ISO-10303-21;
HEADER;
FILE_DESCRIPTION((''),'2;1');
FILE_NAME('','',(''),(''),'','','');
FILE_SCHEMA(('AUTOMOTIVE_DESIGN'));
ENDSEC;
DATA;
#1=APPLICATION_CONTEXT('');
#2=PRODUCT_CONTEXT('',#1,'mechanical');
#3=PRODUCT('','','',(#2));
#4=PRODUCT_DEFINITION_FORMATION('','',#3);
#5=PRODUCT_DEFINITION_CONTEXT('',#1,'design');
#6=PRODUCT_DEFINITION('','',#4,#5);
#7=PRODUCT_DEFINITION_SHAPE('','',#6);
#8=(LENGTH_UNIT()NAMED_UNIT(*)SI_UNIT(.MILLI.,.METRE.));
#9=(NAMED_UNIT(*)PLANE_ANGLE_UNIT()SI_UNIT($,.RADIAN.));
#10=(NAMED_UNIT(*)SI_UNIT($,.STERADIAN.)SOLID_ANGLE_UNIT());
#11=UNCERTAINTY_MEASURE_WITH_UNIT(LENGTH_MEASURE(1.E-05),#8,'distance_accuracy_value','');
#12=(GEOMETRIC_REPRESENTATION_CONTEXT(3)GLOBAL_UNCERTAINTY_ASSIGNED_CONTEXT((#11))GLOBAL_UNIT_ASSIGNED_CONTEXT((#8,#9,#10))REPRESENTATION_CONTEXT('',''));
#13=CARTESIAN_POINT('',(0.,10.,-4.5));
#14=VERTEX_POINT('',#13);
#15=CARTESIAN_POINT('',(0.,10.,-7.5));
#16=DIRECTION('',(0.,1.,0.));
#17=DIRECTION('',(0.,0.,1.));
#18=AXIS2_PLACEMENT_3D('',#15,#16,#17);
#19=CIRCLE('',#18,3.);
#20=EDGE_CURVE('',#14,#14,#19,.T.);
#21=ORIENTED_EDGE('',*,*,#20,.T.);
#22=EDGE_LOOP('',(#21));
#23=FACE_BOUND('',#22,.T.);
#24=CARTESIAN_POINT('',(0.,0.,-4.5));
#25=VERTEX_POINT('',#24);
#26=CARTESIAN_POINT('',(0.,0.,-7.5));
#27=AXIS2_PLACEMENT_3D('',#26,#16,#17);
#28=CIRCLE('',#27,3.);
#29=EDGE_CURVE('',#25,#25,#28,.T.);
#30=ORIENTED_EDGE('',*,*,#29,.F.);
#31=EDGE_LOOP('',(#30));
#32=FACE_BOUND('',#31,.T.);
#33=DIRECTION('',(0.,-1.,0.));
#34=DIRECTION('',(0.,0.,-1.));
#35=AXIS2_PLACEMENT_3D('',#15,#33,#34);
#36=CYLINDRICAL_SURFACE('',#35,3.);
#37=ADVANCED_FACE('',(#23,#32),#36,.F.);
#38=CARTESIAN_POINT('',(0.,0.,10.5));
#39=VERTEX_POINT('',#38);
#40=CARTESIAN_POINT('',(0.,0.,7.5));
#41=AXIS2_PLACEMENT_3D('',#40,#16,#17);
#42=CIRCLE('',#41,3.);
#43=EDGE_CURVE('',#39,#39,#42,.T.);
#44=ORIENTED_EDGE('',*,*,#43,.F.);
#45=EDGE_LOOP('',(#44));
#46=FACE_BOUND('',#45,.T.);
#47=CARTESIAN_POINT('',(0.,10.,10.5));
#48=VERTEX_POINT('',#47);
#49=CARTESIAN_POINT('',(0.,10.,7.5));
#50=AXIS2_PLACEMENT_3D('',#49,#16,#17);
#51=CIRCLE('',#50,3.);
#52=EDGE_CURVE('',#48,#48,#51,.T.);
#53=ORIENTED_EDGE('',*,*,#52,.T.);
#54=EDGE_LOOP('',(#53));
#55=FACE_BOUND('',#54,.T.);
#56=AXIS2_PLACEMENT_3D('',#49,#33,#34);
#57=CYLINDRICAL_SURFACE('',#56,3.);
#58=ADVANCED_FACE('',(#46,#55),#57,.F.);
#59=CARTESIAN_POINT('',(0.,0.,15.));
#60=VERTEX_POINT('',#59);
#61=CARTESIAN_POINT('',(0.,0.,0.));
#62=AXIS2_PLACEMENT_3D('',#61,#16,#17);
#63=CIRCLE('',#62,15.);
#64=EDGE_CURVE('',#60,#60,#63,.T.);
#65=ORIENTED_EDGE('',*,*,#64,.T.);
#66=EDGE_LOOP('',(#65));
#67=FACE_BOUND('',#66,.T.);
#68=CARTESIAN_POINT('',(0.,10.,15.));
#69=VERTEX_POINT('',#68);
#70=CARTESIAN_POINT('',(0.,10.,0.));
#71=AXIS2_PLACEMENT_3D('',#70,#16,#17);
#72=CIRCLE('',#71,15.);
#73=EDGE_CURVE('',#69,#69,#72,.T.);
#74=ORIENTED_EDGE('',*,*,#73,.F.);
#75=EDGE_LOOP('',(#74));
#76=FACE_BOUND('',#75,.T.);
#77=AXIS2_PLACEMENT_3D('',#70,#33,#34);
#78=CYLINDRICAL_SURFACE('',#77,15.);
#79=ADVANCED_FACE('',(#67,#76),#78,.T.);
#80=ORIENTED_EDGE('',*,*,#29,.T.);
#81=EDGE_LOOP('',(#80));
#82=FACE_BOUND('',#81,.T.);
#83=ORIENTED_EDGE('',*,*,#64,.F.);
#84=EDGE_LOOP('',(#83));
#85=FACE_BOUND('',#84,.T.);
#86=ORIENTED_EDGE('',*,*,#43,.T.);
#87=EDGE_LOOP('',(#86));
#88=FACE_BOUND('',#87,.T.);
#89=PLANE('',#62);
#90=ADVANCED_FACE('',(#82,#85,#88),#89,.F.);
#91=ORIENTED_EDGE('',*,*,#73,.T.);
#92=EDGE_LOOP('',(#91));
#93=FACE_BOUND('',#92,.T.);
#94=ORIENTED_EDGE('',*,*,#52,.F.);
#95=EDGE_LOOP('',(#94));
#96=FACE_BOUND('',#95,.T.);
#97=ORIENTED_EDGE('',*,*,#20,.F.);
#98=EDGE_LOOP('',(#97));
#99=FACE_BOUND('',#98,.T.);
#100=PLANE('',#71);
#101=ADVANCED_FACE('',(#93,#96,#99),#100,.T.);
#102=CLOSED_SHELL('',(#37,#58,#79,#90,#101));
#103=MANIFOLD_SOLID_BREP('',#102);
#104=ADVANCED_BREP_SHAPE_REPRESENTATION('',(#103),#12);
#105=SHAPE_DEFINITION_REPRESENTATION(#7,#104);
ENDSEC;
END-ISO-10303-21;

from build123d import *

# Parameters (mm, degrees)
SKETCH1_R           = 15
SKETCH1_R_2         = 3
BOSS_EXTRUDE1_DEPTH = 10


with BuildPart() as part:
    # Sketch1 → Boss-Extrude1 (new body)
    with BuildSketch(Plane(origin=(0, 0, 0), x_dir=(1, 0, 0), z_dir=(0, 1, 0))):
        with Locations(Location((0, 0, 0), (0, 0, 270))):
            Circle(SKETCH1_R)
        with Locations(Location((0, 7.5, 0), (0, 0, 270))):
            Circle(SKETCH1_R_2, mode=Mode.SUBTRACT)
        with Locations(Location((0, -7.5, 0), (0, 0, 270))):
            Circle(SKETCH1_R_2, mode=Mode.SUBTRACT)
    extrude(amount=BOSS_EXTRUDE1_DEPTH)


solid = part.part
